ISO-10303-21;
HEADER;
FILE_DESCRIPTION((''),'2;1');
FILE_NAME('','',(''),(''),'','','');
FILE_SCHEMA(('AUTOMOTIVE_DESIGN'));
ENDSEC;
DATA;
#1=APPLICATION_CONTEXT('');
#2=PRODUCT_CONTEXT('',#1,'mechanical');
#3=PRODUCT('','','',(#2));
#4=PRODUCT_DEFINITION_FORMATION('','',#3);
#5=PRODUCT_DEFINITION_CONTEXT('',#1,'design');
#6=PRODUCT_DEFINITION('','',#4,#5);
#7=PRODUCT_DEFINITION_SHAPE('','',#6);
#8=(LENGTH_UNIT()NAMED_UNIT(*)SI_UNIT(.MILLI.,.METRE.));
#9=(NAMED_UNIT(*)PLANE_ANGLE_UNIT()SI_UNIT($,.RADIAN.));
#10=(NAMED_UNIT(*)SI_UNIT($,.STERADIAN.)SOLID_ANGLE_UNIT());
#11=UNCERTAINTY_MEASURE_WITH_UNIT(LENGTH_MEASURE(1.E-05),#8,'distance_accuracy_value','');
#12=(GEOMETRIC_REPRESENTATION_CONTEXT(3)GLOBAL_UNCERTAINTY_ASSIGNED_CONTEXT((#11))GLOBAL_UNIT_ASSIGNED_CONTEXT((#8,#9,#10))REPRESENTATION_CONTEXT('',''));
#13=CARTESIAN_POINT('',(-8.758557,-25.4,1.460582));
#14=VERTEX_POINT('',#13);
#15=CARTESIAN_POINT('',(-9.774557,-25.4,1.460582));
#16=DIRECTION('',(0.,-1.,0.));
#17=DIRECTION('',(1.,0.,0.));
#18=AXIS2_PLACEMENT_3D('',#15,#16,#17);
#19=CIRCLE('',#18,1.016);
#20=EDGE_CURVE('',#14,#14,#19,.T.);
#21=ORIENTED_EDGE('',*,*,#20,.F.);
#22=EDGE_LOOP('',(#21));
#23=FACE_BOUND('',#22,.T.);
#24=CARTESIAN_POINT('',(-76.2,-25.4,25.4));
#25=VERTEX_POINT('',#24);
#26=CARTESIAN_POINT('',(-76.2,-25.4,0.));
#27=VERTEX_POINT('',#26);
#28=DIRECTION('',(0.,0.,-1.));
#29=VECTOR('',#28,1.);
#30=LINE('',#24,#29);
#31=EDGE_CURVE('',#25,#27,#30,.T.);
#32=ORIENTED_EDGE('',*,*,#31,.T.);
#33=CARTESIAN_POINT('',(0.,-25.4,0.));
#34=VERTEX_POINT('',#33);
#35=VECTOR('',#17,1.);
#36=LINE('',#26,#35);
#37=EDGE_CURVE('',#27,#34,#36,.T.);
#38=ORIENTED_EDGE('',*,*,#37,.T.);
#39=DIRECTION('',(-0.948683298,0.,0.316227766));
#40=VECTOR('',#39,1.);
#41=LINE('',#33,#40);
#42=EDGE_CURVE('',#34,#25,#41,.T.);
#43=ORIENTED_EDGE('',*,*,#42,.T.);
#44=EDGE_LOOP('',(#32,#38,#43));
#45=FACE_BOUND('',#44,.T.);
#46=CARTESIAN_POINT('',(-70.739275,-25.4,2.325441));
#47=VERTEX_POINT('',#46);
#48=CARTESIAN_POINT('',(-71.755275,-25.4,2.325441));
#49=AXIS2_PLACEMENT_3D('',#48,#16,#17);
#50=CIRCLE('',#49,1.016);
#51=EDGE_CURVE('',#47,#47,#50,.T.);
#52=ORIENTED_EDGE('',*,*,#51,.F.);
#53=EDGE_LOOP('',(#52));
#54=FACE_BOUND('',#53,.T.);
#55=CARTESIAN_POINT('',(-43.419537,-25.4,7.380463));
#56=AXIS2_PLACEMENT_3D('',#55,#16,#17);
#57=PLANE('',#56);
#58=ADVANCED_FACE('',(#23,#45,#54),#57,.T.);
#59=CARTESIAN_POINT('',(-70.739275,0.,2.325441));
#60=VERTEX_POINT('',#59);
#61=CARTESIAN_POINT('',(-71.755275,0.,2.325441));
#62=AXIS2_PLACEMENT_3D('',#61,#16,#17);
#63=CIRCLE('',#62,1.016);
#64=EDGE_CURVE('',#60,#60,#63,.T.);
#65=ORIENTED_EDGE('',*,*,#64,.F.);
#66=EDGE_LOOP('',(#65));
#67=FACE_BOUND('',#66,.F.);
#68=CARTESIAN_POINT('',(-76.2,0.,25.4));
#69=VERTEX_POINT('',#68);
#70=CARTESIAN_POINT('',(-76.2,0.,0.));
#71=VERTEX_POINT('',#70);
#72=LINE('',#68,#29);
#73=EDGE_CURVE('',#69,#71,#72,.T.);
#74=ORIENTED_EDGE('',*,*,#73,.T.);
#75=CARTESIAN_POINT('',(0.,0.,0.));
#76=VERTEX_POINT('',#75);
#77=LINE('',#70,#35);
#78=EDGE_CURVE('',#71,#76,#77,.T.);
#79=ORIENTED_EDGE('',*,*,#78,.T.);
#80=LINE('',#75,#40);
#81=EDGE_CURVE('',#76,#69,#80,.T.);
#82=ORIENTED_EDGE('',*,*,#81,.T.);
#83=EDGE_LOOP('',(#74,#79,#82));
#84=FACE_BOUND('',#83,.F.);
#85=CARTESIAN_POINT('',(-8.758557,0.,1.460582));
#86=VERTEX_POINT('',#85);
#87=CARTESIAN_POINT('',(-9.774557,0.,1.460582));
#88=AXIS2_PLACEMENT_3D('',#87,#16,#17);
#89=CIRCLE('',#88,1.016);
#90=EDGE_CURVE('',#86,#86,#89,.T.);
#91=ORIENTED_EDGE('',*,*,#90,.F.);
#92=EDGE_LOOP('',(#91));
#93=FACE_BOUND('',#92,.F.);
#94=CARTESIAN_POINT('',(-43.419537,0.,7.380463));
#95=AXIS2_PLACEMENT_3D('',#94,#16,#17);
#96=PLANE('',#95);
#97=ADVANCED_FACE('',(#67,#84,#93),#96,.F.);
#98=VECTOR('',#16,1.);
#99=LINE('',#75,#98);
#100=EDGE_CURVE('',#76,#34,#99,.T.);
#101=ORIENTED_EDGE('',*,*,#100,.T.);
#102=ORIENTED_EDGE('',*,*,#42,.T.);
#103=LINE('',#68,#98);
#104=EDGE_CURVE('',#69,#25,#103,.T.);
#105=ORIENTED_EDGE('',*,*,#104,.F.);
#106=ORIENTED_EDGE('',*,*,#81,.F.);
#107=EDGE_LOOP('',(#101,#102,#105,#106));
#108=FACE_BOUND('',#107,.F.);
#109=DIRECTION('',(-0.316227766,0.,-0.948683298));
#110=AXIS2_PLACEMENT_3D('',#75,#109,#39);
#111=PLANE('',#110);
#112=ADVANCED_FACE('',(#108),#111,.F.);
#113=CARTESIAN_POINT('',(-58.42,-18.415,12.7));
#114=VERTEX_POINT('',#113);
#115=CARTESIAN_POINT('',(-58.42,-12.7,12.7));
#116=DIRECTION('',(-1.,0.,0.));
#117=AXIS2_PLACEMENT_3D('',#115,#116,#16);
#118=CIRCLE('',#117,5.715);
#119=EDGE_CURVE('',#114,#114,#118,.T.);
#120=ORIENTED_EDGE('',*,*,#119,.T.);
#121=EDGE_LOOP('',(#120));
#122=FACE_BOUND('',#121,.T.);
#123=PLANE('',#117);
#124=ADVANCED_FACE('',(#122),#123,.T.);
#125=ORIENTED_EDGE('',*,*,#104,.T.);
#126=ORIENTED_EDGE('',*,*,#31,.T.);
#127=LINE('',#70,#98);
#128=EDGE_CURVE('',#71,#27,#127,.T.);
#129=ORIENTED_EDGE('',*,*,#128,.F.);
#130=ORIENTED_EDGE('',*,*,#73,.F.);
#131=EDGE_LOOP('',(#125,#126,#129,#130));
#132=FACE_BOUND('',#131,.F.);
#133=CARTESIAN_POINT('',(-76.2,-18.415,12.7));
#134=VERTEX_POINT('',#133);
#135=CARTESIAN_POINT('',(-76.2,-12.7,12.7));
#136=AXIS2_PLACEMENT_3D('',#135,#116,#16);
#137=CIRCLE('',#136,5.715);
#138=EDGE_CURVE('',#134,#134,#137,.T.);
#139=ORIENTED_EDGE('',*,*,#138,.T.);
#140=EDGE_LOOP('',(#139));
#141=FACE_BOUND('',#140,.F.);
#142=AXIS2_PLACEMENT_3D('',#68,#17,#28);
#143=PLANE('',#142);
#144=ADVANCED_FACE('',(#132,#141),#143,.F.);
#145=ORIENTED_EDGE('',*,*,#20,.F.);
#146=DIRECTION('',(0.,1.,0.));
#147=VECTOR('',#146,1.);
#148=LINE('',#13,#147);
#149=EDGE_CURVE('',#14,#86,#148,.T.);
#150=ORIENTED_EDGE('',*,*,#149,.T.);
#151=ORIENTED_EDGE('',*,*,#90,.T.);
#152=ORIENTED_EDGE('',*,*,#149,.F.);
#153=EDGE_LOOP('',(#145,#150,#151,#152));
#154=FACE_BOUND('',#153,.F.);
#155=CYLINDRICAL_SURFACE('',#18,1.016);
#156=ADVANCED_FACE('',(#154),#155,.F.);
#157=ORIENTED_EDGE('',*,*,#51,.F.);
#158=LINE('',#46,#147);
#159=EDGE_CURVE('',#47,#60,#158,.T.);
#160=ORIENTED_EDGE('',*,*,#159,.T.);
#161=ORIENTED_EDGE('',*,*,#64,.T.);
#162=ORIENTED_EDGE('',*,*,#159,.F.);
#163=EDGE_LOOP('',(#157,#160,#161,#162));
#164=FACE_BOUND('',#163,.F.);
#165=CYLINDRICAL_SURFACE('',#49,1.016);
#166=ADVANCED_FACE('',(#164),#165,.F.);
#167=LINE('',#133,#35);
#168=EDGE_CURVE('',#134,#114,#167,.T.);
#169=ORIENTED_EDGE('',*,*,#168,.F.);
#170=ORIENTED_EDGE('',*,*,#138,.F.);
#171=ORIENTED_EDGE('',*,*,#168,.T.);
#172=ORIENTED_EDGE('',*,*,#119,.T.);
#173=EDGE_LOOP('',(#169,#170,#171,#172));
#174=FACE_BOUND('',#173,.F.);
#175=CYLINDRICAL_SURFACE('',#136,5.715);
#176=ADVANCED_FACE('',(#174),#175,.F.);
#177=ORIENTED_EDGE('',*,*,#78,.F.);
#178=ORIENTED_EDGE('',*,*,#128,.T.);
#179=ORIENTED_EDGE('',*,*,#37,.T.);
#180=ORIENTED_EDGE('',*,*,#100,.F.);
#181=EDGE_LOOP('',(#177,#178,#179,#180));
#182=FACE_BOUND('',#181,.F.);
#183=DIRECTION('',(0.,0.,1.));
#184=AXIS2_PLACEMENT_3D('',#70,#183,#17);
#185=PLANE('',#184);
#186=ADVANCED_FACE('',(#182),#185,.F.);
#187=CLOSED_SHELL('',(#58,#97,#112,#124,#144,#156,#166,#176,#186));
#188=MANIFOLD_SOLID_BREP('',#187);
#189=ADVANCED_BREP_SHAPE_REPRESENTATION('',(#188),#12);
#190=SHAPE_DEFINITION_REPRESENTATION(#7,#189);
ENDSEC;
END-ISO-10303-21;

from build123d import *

# Parameters (mm, degrees)
F1_DEPTH = 25.4
F2_R     = 5.715
F3_DEPTH = 17.78
F4_R     = 1.016
F5_DEPTH = 25.4
F6_R     = 1.016
F7_DEPTH = 25.4


with BuildPart() as f1:
    # F0 (on Front) → F1 (new body)
    with BuildSketch(Plane.XZ):
        Polygon((-76.2, 0), (0, 0), (-76.2, 25.4), align=None)
    extrude(amount=F1_DEPTH)

    # F2 (on face) → F3 (cut)
    with BuildSketch(Plane(origin=(-76.2, 0, 0), x_dir=(0, -1, 0), z_dir=(-1, 0, 0))):
        with Locations((12.7, 12.7)):
            Circle(F2_R)
    extrude(amount=-F3_DEPTH, mode=Mode.SUBTRACT)

    # F4 (on face) → F5 (cut)
    with BuildSketch(Plane.XZ.offset(25.4)):
        with Locations((-71.755275, 2.325441)):
            Circle(F4_R)
    extrude(amount=-F5_DEPTH, mode=Mode.SUBTRACT)

    # F6 (on face) → F7 (cut)
    with BuildSketch(Plane.XZ.offset(25.4)):
        with Locations((-9.774557, 1.460582)):
            Circle(F6_R)
    extrude(amount=-F7_DEPTH, mode=Mode.SUBTRACT)


solid = f1.part
